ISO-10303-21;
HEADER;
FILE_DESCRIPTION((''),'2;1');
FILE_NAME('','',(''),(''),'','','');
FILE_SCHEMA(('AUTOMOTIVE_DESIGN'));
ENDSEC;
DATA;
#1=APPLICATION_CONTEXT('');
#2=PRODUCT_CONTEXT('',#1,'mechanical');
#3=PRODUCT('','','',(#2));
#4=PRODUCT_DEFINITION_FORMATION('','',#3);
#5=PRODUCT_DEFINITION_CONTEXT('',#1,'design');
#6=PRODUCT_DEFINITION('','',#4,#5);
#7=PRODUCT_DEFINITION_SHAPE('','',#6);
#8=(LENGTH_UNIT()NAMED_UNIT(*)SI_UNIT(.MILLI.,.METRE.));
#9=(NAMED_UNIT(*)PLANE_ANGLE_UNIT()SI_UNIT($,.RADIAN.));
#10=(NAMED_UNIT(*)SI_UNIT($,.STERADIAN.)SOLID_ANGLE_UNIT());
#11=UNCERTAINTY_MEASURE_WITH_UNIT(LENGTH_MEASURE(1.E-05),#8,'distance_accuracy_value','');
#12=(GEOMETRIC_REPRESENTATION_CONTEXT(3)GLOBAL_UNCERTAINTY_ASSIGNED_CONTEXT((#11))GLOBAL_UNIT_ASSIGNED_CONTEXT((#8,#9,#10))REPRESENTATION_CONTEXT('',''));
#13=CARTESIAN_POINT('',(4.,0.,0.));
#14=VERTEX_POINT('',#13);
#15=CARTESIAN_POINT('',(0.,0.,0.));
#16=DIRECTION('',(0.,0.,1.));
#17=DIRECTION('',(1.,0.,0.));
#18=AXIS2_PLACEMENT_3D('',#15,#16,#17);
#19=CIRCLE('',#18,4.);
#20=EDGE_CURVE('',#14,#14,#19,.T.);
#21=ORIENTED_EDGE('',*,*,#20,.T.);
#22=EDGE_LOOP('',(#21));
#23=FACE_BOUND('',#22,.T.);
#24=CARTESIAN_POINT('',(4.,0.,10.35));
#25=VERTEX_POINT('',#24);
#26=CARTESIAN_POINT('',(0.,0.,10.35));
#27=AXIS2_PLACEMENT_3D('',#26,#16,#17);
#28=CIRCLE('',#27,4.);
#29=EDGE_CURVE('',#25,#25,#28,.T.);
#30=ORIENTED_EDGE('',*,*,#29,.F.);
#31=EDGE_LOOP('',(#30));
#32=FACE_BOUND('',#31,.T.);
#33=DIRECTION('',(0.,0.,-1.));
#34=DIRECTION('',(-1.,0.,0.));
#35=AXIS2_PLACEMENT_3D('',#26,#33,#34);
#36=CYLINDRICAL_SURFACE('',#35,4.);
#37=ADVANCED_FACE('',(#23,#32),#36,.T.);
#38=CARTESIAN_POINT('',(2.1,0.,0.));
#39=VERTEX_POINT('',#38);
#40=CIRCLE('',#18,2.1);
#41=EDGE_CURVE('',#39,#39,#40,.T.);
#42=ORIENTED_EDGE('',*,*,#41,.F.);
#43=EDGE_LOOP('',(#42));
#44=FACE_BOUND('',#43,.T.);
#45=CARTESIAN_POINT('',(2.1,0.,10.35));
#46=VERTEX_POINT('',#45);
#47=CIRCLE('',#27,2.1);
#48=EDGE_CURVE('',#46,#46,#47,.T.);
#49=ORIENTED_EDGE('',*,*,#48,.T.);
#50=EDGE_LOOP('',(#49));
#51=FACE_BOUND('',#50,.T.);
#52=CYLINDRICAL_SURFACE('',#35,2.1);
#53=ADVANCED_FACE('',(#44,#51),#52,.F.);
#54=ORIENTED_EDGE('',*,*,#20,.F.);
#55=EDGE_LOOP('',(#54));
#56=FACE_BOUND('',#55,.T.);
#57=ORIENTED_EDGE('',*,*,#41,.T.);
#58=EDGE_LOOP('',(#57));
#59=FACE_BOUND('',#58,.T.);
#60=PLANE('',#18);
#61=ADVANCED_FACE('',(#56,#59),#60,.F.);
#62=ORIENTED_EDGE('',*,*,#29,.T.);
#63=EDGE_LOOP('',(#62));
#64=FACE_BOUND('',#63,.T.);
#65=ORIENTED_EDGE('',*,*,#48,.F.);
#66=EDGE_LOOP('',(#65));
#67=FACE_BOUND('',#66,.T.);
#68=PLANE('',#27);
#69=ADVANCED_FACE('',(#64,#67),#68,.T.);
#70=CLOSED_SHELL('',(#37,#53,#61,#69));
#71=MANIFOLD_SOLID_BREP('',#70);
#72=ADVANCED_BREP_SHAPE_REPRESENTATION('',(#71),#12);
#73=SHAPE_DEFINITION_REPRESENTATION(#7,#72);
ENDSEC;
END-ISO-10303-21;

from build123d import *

# Parameters (mm, degrees)
SKETCH_1_R      = 4
SKETCH_1_R_2    = 2.1
EXTRUDE_1_DEPTH = 10.35


with BuildPart() as part:
    # ｽｹｯﾁ1 → ﾎﾞｽ - 押し出し1 (new body)
    with BuildSketch(Plane.XY):
        Circle(SKETCH_1_R)
        Circle(SKETCH_1_R_2, mode=Mode.SUBTRACT)
    extrude(amount=EXTRUDE_1_DEPTH)


solid = part.part
